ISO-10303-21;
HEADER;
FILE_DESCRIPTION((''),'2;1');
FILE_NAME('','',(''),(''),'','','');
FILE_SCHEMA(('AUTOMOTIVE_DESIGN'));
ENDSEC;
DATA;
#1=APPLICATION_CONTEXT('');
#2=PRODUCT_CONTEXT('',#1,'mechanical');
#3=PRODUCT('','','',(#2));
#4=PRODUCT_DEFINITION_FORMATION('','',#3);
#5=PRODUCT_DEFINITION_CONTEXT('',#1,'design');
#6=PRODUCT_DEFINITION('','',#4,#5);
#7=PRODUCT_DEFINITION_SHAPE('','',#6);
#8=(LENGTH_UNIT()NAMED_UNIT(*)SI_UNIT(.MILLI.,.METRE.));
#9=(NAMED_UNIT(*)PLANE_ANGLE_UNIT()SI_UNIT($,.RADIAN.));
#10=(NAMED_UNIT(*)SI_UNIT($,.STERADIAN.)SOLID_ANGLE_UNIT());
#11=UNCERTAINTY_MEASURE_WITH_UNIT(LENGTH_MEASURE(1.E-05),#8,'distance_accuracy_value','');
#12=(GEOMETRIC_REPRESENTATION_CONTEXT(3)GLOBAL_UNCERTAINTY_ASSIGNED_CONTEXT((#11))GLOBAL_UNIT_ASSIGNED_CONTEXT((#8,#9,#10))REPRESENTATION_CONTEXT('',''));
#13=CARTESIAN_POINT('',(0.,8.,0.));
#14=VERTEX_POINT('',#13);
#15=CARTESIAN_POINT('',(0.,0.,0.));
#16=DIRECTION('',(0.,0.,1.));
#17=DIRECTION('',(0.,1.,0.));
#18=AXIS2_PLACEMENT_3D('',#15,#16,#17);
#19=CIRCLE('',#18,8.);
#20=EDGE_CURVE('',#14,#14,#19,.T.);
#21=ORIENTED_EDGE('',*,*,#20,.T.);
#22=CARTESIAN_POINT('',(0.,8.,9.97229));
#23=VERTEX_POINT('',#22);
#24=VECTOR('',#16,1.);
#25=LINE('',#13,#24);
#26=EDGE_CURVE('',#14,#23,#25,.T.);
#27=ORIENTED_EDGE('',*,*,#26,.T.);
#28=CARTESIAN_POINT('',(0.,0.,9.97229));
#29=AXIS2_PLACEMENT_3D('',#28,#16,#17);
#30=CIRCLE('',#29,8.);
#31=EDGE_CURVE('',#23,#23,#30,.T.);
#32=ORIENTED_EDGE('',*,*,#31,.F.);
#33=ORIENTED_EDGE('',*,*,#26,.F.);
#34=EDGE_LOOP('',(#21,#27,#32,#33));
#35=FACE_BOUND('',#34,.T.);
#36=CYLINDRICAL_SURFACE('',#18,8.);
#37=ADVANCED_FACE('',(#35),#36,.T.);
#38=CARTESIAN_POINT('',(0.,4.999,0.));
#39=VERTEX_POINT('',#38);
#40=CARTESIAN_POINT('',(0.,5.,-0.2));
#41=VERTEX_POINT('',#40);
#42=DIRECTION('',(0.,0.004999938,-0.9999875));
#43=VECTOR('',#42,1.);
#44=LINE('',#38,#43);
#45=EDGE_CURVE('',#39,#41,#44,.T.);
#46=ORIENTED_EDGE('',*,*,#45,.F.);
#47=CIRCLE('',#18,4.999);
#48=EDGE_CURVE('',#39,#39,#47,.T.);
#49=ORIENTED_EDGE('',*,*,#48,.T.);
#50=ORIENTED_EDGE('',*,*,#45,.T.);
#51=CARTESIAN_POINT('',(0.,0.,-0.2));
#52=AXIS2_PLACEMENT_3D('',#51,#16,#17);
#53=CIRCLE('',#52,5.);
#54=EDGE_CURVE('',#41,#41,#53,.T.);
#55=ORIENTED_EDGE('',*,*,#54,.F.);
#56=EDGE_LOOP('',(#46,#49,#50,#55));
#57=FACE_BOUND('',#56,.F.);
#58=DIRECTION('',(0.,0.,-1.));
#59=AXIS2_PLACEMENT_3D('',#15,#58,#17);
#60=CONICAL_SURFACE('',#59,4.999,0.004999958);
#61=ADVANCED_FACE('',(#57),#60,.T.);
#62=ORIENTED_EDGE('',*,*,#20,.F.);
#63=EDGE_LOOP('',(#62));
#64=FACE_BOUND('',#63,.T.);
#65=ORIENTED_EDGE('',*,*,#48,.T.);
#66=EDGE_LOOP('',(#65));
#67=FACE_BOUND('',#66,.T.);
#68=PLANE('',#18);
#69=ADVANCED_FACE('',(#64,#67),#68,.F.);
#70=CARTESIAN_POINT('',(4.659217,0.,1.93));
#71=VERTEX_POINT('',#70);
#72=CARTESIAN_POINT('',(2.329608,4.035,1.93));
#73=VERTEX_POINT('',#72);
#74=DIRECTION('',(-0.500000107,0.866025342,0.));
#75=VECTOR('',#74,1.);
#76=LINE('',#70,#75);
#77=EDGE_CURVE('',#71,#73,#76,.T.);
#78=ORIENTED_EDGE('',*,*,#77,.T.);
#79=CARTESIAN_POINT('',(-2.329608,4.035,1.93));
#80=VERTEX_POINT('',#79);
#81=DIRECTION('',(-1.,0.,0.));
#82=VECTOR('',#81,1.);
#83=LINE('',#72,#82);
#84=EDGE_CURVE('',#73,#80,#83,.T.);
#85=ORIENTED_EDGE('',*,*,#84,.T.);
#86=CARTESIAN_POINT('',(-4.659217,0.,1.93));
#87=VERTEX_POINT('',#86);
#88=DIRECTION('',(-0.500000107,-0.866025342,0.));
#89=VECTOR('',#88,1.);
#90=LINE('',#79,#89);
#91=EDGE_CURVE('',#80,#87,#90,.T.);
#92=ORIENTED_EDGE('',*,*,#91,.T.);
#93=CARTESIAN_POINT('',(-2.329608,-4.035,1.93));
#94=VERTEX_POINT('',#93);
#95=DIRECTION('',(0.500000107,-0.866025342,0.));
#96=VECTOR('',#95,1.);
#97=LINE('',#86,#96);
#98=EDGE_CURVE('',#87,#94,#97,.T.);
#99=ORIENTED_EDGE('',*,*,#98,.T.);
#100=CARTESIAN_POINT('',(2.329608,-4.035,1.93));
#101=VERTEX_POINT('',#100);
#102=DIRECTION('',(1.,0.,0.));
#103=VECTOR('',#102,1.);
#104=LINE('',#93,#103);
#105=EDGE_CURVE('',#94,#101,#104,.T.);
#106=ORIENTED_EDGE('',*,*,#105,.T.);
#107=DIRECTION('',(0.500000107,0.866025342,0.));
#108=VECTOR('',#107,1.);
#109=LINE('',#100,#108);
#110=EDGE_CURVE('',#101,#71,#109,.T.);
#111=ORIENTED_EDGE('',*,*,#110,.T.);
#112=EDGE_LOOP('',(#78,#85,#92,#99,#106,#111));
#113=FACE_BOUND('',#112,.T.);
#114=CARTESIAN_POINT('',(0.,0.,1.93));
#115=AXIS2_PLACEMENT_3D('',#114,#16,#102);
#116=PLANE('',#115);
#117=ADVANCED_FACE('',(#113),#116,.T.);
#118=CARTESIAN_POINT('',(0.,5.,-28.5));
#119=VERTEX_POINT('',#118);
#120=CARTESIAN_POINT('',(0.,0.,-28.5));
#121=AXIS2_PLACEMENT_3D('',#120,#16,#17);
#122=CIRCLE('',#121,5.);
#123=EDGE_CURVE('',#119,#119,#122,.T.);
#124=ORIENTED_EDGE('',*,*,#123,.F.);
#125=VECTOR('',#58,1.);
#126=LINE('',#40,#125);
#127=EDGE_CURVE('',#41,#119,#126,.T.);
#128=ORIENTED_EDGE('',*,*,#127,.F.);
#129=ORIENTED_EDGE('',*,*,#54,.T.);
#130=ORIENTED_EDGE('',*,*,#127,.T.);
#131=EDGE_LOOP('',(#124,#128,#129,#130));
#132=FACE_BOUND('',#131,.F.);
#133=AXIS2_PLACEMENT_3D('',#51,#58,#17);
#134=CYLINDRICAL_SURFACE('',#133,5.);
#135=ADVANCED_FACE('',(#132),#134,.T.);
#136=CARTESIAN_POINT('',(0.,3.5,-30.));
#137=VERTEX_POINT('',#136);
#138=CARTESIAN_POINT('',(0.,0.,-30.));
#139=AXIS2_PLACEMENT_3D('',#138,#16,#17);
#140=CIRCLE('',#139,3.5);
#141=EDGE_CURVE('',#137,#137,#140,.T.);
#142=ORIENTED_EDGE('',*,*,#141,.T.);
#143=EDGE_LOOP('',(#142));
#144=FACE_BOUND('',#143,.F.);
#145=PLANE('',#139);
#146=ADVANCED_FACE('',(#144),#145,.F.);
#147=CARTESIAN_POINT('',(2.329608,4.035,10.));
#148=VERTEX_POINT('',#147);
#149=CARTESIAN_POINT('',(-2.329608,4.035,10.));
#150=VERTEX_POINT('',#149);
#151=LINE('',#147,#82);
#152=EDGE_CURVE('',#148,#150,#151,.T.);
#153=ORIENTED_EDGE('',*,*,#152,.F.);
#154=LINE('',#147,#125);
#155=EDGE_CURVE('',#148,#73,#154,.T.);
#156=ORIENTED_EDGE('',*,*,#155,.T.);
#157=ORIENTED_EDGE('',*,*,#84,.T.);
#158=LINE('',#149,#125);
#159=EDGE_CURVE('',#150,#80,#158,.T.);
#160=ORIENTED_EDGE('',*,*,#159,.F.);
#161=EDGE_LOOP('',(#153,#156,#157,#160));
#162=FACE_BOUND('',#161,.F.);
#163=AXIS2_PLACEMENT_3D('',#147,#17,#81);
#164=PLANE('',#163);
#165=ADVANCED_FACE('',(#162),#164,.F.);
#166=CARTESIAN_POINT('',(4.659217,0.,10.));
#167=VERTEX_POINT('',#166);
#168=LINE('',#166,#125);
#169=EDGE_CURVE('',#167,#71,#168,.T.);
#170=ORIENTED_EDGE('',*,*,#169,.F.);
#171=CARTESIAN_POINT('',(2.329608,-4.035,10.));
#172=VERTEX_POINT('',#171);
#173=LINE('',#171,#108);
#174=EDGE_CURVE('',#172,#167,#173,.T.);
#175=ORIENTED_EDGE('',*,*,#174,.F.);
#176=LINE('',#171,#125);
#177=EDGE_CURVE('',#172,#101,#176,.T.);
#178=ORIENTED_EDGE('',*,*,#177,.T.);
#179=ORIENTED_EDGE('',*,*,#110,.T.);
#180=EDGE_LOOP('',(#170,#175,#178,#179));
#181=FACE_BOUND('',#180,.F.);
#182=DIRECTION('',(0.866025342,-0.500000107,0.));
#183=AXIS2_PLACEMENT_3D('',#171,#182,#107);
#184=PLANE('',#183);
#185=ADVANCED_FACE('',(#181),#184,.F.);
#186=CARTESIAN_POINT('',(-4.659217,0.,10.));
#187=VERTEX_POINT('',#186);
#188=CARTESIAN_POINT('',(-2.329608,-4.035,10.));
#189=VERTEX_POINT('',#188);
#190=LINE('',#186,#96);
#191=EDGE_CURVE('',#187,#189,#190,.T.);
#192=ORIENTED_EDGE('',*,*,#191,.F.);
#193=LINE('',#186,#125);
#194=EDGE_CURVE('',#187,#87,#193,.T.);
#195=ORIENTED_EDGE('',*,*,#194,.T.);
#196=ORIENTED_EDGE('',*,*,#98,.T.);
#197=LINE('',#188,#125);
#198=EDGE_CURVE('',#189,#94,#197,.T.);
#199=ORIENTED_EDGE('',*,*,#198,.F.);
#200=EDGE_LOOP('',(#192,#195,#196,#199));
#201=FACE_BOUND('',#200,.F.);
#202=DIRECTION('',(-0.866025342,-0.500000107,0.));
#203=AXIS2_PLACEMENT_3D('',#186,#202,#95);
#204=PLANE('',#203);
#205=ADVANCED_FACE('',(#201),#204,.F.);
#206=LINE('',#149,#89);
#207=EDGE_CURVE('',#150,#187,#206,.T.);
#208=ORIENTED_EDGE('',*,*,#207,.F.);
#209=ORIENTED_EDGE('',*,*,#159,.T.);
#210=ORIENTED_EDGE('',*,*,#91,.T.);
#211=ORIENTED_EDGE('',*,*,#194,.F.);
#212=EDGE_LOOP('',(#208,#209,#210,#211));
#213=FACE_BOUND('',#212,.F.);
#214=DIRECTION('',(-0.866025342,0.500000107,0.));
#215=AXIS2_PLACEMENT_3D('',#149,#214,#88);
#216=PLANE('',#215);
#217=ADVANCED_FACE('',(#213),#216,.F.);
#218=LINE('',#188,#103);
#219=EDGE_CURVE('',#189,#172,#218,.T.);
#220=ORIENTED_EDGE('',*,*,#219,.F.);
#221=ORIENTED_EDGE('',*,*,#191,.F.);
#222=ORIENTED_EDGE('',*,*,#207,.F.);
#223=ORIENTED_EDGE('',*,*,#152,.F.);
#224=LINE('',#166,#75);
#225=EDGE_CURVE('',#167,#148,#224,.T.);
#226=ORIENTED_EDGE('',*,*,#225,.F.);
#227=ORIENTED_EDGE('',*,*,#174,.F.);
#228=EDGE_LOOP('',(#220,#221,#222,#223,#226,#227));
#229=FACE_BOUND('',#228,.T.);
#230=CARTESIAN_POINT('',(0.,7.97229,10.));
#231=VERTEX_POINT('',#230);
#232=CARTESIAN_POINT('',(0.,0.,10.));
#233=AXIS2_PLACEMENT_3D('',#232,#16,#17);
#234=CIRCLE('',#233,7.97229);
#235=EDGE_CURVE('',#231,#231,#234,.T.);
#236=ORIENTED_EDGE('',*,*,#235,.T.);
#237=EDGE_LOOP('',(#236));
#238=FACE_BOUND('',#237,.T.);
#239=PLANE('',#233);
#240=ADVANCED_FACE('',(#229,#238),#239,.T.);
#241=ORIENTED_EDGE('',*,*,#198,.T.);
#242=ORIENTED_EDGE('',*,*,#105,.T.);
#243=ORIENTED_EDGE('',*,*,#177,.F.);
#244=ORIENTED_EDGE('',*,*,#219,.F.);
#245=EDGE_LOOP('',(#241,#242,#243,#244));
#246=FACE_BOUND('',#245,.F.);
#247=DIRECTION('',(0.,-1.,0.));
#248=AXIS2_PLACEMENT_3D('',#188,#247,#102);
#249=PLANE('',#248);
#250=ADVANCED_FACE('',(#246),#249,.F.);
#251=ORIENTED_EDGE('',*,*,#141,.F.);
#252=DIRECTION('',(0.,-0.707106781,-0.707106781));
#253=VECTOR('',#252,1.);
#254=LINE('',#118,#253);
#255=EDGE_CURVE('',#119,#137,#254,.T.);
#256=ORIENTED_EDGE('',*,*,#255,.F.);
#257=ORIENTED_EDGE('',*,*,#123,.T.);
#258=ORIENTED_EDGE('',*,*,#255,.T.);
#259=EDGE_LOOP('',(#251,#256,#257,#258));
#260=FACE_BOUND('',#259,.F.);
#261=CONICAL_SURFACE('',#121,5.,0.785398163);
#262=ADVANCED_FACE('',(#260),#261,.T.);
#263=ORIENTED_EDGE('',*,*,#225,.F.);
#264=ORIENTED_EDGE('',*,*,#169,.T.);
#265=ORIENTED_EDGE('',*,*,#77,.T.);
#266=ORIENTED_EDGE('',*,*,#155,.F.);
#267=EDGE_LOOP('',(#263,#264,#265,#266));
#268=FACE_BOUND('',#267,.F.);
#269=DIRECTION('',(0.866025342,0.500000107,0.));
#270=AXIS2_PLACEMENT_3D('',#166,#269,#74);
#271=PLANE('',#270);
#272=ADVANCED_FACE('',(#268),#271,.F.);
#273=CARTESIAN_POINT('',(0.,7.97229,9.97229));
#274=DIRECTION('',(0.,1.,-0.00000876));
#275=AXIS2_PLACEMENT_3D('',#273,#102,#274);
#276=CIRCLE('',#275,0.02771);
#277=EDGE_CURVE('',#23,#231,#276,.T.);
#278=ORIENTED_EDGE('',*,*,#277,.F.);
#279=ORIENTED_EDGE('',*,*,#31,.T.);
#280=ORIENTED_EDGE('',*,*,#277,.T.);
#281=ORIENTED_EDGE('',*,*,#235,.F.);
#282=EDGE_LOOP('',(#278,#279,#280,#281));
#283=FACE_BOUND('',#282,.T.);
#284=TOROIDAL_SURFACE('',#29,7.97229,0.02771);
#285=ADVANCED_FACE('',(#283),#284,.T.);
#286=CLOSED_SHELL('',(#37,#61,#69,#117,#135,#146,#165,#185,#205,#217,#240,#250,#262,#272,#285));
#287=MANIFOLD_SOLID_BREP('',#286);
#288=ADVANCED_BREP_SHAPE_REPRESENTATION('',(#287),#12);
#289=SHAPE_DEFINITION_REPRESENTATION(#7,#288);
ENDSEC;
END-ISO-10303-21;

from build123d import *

# Parameters (mm, degrees)
POCKET_DEPTH = 8.07


with BuildPart() as part:
    # Sketch → Revolve (revolve)
    with BuildSketch(Plane.YZ):
        with BuildLine():
            Line((4.999, 0), (8, 0))
            Line((8, 0), (8, 9.97229))
            ThreePointArc((8, 9.97229), (7.991884, 9.991884), (7.97229, 10))
            Line((7.97229, 10), (0, 10))
            Line((0, -30), (0, 10))
            Line((3.5, -30), (0, -30))
            Line((5, -28.5), (3.5, -30))
            Line((5, -0.2), (5, -28.5))
            Line((4.999, 0), (5, -0.2))
        make_face()
    revolve(axis=Axis((0, 0, 0), (0, 0, 1)))

    # Sketch001 → Pocket (cut)
    with BuildSketch(Plane.XY.offset(10)):
        Polygon((4.659217, 0), (2.329608, 4.035), (-2.329608, 4.035), (-4.659217, 0), (-2.329608, -4.035), (2.329608, -4.035), align=None)
    extrude(amount=-POCKET_DEPTH, mode=Mode.SUBTRACT)


solid = part.part
